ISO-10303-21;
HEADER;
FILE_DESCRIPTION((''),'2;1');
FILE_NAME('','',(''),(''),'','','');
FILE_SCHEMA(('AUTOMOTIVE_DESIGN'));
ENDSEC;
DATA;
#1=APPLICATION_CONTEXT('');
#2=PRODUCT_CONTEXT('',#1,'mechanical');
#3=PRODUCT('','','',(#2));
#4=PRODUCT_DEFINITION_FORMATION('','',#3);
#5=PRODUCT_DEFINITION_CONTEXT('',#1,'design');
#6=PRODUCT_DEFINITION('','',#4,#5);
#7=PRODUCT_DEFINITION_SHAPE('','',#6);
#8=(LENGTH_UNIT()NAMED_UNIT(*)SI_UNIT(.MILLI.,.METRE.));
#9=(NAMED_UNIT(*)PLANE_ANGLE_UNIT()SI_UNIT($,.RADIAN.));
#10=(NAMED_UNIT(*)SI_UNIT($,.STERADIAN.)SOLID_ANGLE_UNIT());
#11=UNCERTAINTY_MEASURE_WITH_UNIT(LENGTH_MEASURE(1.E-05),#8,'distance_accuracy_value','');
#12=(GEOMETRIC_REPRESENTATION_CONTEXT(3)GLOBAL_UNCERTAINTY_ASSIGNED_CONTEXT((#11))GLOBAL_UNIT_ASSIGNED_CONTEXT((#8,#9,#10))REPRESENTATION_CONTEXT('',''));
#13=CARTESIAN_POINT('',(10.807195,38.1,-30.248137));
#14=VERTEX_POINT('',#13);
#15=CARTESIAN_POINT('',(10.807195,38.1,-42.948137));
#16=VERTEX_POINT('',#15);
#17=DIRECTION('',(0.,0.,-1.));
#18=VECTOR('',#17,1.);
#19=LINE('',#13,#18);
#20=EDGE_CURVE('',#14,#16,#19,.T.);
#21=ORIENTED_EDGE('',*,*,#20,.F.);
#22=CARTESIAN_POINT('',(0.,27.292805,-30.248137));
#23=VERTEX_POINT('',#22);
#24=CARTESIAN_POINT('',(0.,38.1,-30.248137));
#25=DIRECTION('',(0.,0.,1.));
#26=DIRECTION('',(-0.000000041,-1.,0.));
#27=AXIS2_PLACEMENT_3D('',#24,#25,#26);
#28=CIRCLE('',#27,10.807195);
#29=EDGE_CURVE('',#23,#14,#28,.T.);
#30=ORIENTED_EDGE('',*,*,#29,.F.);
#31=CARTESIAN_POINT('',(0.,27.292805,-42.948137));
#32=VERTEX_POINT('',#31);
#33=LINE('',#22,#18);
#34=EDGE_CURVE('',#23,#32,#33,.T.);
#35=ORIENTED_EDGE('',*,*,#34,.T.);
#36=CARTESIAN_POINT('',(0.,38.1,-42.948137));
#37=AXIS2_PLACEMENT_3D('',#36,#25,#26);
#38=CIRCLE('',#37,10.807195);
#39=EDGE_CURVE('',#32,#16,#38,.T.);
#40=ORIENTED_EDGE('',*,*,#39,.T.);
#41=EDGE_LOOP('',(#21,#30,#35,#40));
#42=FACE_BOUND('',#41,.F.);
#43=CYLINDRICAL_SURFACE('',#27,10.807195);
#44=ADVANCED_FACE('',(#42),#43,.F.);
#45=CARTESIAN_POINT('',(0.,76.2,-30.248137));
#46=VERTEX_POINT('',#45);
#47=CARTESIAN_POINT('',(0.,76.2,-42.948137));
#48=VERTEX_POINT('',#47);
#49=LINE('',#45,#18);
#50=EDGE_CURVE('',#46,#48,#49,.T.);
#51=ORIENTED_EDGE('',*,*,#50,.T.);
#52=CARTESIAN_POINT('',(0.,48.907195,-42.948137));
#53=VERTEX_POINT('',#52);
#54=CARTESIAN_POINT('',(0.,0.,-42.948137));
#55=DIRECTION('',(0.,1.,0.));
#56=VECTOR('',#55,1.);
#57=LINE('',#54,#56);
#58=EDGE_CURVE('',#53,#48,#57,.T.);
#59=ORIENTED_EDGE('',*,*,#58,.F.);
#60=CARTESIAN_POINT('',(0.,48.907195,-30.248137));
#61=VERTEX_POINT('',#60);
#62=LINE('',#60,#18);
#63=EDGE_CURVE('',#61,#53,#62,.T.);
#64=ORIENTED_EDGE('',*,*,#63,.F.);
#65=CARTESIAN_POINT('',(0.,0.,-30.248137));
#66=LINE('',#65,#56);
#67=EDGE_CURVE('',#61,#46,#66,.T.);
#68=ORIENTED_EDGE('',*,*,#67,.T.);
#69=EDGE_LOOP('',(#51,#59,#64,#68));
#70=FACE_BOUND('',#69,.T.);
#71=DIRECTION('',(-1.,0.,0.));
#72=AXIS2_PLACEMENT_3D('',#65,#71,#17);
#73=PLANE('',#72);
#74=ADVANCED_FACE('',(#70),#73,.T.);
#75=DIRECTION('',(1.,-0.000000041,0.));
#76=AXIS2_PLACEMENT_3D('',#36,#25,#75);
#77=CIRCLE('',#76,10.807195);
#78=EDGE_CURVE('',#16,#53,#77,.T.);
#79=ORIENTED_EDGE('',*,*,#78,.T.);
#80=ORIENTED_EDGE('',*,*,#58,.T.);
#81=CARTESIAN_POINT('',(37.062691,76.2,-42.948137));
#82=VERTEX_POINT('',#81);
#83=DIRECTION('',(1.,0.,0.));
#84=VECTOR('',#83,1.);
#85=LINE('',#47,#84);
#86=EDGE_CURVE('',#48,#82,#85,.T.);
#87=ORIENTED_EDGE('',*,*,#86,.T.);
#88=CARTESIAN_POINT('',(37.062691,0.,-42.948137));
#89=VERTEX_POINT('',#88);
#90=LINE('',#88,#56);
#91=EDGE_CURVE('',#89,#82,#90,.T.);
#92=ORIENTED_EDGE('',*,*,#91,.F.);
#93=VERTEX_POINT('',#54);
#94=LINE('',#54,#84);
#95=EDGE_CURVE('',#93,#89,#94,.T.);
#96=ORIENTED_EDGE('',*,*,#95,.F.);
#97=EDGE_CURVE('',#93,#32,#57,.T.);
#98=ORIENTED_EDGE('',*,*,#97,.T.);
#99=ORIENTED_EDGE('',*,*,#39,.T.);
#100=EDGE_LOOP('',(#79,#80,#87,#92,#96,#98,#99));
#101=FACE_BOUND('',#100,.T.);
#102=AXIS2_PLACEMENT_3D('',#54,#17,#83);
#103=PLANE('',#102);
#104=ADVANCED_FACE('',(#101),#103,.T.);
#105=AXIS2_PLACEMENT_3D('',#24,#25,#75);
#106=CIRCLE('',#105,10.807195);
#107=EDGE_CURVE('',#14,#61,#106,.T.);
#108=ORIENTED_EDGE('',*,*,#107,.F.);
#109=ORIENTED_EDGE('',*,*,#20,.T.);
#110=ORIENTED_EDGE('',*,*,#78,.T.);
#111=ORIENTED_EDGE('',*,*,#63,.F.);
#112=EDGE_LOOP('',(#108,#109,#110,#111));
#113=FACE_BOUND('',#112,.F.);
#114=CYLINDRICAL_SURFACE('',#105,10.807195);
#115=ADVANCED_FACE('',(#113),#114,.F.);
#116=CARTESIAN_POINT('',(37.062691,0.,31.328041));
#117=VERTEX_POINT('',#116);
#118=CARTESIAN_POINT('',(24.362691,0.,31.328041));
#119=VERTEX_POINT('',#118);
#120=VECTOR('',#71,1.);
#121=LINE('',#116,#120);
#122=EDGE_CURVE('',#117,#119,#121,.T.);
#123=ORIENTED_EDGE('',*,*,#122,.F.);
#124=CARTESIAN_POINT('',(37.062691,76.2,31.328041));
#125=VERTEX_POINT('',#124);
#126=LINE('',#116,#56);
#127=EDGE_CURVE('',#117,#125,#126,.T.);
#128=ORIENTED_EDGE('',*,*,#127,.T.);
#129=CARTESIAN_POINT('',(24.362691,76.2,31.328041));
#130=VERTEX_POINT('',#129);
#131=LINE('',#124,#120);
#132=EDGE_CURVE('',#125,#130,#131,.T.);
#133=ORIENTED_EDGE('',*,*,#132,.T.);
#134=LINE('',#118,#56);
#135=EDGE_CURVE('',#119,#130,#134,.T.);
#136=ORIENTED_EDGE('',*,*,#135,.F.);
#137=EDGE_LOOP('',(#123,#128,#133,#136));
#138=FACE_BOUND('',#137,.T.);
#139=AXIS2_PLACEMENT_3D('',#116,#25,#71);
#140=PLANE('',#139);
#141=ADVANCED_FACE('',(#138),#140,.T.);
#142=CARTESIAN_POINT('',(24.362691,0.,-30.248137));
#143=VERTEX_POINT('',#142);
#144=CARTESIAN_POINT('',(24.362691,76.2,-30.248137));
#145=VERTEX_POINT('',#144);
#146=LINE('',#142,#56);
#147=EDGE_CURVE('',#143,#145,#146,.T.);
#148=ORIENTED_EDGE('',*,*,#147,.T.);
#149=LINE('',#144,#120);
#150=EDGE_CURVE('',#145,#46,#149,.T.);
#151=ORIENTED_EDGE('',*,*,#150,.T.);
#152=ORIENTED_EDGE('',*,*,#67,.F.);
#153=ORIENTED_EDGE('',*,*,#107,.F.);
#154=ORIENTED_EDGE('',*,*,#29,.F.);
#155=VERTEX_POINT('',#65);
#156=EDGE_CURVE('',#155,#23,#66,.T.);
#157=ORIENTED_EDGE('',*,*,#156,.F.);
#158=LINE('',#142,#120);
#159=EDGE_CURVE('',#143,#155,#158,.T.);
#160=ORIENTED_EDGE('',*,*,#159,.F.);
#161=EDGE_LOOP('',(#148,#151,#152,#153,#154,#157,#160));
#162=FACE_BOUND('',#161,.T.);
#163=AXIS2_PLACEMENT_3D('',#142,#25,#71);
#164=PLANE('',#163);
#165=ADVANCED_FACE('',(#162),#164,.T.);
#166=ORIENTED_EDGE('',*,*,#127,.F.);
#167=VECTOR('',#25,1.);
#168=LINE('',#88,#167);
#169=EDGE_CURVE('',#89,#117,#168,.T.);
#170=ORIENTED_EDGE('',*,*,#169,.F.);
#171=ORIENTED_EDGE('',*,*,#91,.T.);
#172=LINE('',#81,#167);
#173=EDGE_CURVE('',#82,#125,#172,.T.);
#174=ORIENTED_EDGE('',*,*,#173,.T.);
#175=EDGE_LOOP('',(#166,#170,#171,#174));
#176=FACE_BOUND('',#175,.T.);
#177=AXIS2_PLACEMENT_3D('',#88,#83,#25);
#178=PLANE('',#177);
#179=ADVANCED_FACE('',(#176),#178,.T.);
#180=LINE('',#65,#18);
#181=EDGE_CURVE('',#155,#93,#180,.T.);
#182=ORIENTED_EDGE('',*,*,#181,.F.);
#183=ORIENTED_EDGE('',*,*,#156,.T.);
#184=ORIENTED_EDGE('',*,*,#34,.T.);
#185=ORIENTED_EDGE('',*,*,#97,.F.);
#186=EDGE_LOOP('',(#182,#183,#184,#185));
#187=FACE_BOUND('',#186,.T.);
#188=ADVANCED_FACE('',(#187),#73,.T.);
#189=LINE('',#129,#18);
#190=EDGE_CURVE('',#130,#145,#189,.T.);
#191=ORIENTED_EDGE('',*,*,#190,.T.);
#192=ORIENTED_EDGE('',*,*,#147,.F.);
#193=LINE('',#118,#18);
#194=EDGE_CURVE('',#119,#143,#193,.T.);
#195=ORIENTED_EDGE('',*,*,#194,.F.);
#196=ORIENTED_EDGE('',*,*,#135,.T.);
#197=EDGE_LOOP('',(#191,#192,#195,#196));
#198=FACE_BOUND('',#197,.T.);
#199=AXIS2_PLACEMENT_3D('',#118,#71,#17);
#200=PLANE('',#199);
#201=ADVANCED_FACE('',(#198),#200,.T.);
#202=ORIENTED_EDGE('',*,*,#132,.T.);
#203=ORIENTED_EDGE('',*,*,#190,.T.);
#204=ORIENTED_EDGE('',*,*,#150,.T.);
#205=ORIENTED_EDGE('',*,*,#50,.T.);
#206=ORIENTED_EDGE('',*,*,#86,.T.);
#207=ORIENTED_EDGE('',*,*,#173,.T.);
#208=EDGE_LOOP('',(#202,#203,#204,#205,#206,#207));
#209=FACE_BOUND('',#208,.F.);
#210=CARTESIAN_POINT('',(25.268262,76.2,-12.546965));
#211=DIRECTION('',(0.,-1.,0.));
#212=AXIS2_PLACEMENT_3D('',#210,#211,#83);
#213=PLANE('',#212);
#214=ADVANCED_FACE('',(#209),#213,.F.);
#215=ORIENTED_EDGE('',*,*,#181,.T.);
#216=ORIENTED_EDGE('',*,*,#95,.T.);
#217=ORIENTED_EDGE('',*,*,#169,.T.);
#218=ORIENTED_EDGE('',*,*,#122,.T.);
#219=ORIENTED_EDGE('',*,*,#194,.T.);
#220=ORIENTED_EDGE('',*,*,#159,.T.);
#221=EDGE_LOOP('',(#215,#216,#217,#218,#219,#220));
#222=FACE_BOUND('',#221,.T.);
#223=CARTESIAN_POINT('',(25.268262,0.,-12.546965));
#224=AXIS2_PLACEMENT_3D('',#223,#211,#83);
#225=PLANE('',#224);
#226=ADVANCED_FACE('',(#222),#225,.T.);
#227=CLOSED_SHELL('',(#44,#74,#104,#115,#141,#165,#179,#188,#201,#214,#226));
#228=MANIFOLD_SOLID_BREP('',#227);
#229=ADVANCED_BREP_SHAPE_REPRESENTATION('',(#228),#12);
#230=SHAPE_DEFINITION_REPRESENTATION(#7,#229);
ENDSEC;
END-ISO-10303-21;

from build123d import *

# Parameters (mm, degrees)
F1_DEPTH = 76.2
F3_DEPTH = 39.624


with BuildPart() as f1:
    # F0 (on Front) → F1 (new body)
    with BuildSketch(Plane.XZ):
        Polygon((0, -30.248137), (0, -42.948137), (37.062691, -42.948137), (37.062691, 31.328041), (24.362691, 31.328041), (24.362691, -30.248137), align=None)
    extrude(amount=-F1_DEPTH)

    # F2 (on face) → F3 (cut)
    with BuildSketch(Plane.XY.offset(-30.248137)):
        with BuildLine():
            ThreePointArc((0, 27.292805), (7.641841, 30.458159), (10.807195, 38.1))
            ThreePointArc((10.807195, 38.1), (7.641841, 45.741841), (0, 48.907195))
            Line((0, 48.907195), (0, 27.292805))
        make_face()
    extrude(amount=-F3_DEPTH, mode=Mode.SUBTRACT)


solid = f1.part
